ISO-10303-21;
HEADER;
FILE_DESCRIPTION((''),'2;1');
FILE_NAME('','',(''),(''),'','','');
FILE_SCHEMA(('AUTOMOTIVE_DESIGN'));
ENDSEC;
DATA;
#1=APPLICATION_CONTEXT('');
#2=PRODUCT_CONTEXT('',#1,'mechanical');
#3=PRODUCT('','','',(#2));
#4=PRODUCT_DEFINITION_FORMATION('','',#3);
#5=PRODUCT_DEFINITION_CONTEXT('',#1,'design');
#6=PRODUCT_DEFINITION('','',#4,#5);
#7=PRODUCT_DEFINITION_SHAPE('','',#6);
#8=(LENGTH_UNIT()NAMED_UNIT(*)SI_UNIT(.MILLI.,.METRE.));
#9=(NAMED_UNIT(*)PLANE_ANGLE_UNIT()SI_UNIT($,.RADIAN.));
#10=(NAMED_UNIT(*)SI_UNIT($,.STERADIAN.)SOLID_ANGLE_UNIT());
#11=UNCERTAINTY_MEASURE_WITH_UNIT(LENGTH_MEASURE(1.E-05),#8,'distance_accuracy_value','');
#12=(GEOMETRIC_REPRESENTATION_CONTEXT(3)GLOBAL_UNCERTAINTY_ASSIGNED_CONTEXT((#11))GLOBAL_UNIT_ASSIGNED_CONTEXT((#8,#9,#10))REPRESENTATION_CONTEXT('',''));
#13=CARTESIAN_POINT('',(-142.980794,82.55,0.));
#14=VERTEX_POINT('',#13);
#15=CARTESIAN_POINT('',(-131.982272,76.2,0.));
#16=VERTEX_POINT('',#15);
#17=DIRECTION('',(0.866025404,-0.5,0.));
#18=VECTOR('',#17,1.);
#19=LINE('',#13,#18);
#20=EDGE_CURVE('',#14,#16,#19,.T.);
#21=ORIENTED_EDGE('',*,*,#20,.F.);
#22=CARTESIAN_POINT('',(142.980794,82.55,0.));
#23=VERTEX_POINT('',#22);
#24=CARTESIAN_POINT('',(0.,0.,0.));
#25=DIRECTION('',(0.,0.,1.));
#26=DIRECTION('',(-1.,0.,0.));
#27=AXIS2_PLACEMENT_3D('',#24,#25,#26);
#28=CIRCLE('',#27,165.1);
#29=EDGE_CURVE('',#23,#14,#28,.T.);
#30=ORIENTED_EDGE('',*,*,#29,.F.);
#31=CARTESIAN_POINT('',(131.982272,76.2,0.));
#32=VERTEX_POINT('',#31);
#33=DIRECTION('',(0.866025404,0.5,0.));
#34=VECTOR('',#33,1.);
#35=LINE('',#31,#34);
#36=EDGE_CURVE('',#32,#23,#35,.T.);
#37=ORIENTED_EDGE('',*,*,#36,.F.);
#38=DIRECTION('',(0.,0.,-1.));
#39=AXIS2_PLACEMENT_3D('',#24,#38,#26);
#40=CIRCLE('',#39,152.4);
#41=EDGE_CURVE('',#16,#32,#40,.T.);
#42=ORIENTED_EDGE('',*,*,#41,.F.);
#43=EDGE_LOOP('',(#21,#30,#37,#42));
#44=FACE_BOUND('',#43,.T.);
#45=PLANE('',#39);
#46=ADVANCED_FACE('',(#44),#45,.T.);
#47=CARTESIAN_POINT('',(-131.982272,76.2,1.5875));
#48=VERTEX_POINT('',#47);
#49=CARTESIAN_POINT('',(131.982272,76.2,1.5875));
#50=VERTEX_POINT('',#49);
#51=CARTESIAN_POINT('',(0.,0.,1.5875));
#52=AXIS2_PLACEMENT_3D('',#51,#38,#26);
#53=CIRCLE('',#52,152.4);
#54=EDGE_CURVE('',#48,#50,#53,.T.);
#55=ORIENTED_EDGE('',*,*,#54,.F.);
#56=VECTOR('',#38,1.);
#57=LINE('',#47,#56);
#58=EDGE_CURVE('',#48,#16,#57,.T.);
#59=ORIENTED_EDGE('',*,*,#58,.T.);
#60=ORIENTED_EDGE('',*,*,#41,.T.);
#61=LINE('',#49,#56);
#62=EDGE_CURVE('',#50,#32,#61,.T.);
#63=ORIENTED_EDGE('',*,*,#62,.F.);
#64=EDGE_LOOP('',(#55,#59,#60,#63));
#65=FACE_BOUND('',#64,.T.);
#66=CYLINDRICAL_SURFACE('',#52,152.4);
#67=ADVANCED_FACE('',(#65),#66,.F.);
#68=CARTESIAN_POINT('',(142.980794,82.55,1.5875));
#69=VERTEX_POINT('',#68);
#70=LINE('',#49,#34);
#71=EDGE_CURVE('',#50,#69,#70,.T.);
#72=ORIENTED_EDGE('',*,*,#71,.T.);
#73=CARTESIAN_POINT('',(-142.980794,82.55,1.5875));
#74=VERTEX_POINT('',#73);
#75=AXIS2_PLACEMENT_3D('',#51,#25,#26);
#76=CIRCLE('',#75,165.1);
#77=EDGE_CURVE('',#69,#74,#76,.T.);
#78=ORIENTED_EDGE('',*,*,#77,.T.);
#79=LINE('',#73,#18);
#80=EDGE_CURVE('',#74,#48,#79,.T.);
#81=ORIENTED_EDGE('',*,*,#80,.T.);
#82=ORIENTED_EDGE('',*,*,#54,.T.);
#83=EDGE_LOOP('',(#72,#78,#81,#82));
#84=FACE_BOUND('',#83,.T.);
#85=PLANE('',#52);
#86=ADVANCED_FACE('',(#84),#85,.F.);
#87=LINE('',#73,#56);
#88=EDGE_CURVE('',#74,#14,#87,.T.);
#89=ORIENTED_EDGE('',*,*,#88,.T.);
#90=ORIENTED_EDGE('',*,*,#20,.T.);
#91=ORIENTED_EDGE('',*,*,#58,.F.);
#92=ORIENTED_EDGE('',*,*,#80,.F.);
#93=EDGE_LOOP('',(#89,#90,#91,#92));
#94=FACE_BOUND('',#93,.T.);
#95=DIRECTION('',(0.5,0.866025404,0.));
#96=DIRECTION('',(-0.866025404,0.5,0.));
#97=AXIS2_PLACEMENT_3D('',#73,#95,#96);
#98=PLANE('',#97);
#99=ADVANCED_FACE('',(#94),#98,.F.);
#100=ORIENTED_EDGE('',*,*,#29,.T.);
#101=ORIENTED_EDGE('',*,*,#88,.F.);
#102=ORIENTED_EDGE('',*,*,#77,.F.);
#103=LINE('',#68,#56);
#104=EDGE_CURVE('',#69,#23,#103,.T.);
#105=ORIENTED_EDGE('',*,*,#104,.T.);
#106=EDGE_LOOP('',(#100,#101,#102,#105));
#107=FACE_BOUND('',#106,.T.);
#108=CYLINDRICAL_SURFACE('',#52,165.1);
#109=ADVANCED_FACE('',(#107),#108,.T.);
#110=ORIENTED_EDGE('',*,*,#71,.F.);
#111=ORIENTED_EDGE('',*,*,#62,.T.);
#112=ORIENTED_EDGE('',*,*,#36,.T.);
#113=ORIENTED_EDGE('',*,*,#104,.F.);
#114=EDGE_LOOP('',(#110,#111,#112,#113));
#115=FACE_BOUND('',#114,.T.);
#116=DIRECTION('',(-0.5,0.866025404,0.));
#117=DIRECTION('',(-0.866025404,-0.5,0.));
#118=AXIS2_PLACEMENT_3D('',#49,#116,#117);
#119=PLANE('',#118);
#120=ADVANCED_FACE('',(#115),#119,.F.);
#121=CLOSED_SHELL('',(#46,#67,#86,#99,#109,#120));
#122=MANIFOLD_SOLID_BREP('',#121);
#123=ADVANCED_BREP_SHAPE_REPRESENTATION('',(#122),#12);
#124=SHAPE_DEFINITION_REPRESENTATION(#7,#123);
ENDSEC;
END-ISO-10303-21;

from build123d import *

# Parameters (mm, degrees)
BOSS_EXTRUDE1_DEPTH = 1.5875


with BuildPart() as part:
    # Sketch1 → Boss-Extrude1 (new body)
    with BuildSketch(Plane.XY):
        with BuildLine():
            Line((-142.980794165, 82.55), (-131.982271537, 76.2))
            ThreePointArc((-131.982271537, 76.2), (0, 152.4), (131.982271537, 76.2))
            Line((131.982271537, 76.2), (142.980794165, 82.55))
            ThreePointArc((142.980794165, 82.55), (0, 165.1), (-142.980794165, 82.55))
        make_face()
    extrude(amount=BOSS_EXTRUDE1_DEPTH)


solid = part.part
